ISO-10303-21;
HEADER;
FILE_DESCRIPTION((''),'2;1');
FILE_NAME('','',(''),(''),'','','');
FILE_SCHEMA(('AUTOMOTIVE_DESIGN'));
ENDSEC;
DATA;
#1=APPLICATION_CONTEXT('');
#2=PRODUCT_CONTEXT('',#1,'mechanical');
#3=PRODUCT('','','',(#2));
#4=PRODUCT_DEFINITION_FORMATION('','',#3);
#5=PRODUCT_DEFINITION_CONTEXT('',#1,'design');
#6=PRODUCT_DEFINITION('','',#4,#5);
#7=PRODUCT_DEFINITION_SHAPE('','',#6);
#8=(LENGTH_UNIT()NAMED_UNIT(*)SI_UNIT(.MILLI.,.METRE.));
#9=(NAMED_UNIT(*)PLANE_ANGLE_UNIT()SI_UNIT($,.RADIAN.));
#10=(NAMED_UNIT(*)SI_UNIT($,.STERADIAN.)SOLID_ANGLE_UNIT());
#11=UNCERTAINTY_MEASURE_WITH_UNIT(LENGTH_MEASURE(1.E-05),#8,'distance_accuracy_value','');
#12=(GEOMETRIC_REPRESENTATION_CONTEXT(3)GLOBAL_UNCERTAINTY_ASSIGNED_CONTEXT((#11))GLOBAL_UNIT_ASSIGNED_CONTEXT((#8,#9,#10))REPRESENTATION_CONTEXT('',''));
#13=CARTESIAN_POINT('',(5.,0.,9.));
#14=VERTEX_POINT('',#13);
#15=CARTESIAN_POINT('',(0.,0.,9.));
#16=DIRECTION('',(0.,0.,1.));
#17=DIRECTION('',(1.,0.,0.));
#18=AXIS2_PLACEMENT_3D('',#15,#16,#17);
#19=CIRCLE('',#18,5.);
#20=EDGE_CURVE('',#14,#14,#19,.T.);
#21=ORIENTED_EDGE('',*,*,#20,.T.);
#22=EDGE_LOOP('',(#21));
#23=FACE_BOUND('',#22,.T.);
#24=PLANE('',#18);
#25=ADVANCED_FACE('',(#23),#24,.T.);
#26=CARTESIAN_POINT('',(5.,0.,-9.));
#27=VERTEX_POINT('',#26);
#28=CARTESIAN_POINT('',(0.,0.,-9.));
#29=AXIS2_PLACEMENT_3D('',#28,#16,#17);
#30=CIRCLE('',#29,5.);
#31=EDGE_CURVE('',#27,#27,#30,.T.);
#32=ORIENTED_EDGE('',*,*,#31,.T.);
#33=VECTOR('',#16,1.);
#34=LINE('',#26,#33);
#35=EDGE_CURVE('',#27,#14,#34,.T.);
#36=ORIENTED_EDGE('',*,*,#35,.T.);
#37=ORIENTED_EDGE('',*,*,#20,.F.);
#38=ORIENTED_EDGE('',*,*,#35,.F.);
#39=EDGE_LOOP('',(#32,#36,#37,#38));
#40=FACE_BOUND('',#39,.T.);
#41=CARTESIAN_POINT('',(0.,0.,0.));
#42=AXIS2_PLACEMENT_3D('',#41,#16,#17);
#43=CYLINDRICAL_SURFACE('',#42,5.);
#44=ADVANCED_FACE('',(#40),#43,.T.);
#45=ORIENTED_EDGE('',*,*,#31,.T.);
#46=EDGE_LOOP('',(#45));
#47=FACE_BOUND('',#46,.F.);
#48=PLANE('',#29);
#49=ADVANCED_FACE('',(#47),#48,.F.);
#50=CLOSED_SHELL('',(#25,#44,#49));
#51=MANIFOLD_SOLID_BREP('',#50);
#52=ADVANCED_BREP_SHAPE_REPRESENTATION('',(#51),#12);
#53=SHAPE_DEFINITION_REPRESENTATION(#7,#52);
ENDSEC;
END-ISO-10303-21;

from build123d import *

# Parameters (mm, degrees)
SKETCH1_R           = 5
BOSS_EXTRUDE1_DEPTH = 9


with BuildPart() as part:
    # Sketch1 → Boss-Extrude1 (new body, symmetric)
    with BuildSketch(Plane.XY):
        Circle(SKETCH1_R)
    extrude(amount=BOSS_EXTRUDE1_DEPTH, both=True)


solid = part.part
